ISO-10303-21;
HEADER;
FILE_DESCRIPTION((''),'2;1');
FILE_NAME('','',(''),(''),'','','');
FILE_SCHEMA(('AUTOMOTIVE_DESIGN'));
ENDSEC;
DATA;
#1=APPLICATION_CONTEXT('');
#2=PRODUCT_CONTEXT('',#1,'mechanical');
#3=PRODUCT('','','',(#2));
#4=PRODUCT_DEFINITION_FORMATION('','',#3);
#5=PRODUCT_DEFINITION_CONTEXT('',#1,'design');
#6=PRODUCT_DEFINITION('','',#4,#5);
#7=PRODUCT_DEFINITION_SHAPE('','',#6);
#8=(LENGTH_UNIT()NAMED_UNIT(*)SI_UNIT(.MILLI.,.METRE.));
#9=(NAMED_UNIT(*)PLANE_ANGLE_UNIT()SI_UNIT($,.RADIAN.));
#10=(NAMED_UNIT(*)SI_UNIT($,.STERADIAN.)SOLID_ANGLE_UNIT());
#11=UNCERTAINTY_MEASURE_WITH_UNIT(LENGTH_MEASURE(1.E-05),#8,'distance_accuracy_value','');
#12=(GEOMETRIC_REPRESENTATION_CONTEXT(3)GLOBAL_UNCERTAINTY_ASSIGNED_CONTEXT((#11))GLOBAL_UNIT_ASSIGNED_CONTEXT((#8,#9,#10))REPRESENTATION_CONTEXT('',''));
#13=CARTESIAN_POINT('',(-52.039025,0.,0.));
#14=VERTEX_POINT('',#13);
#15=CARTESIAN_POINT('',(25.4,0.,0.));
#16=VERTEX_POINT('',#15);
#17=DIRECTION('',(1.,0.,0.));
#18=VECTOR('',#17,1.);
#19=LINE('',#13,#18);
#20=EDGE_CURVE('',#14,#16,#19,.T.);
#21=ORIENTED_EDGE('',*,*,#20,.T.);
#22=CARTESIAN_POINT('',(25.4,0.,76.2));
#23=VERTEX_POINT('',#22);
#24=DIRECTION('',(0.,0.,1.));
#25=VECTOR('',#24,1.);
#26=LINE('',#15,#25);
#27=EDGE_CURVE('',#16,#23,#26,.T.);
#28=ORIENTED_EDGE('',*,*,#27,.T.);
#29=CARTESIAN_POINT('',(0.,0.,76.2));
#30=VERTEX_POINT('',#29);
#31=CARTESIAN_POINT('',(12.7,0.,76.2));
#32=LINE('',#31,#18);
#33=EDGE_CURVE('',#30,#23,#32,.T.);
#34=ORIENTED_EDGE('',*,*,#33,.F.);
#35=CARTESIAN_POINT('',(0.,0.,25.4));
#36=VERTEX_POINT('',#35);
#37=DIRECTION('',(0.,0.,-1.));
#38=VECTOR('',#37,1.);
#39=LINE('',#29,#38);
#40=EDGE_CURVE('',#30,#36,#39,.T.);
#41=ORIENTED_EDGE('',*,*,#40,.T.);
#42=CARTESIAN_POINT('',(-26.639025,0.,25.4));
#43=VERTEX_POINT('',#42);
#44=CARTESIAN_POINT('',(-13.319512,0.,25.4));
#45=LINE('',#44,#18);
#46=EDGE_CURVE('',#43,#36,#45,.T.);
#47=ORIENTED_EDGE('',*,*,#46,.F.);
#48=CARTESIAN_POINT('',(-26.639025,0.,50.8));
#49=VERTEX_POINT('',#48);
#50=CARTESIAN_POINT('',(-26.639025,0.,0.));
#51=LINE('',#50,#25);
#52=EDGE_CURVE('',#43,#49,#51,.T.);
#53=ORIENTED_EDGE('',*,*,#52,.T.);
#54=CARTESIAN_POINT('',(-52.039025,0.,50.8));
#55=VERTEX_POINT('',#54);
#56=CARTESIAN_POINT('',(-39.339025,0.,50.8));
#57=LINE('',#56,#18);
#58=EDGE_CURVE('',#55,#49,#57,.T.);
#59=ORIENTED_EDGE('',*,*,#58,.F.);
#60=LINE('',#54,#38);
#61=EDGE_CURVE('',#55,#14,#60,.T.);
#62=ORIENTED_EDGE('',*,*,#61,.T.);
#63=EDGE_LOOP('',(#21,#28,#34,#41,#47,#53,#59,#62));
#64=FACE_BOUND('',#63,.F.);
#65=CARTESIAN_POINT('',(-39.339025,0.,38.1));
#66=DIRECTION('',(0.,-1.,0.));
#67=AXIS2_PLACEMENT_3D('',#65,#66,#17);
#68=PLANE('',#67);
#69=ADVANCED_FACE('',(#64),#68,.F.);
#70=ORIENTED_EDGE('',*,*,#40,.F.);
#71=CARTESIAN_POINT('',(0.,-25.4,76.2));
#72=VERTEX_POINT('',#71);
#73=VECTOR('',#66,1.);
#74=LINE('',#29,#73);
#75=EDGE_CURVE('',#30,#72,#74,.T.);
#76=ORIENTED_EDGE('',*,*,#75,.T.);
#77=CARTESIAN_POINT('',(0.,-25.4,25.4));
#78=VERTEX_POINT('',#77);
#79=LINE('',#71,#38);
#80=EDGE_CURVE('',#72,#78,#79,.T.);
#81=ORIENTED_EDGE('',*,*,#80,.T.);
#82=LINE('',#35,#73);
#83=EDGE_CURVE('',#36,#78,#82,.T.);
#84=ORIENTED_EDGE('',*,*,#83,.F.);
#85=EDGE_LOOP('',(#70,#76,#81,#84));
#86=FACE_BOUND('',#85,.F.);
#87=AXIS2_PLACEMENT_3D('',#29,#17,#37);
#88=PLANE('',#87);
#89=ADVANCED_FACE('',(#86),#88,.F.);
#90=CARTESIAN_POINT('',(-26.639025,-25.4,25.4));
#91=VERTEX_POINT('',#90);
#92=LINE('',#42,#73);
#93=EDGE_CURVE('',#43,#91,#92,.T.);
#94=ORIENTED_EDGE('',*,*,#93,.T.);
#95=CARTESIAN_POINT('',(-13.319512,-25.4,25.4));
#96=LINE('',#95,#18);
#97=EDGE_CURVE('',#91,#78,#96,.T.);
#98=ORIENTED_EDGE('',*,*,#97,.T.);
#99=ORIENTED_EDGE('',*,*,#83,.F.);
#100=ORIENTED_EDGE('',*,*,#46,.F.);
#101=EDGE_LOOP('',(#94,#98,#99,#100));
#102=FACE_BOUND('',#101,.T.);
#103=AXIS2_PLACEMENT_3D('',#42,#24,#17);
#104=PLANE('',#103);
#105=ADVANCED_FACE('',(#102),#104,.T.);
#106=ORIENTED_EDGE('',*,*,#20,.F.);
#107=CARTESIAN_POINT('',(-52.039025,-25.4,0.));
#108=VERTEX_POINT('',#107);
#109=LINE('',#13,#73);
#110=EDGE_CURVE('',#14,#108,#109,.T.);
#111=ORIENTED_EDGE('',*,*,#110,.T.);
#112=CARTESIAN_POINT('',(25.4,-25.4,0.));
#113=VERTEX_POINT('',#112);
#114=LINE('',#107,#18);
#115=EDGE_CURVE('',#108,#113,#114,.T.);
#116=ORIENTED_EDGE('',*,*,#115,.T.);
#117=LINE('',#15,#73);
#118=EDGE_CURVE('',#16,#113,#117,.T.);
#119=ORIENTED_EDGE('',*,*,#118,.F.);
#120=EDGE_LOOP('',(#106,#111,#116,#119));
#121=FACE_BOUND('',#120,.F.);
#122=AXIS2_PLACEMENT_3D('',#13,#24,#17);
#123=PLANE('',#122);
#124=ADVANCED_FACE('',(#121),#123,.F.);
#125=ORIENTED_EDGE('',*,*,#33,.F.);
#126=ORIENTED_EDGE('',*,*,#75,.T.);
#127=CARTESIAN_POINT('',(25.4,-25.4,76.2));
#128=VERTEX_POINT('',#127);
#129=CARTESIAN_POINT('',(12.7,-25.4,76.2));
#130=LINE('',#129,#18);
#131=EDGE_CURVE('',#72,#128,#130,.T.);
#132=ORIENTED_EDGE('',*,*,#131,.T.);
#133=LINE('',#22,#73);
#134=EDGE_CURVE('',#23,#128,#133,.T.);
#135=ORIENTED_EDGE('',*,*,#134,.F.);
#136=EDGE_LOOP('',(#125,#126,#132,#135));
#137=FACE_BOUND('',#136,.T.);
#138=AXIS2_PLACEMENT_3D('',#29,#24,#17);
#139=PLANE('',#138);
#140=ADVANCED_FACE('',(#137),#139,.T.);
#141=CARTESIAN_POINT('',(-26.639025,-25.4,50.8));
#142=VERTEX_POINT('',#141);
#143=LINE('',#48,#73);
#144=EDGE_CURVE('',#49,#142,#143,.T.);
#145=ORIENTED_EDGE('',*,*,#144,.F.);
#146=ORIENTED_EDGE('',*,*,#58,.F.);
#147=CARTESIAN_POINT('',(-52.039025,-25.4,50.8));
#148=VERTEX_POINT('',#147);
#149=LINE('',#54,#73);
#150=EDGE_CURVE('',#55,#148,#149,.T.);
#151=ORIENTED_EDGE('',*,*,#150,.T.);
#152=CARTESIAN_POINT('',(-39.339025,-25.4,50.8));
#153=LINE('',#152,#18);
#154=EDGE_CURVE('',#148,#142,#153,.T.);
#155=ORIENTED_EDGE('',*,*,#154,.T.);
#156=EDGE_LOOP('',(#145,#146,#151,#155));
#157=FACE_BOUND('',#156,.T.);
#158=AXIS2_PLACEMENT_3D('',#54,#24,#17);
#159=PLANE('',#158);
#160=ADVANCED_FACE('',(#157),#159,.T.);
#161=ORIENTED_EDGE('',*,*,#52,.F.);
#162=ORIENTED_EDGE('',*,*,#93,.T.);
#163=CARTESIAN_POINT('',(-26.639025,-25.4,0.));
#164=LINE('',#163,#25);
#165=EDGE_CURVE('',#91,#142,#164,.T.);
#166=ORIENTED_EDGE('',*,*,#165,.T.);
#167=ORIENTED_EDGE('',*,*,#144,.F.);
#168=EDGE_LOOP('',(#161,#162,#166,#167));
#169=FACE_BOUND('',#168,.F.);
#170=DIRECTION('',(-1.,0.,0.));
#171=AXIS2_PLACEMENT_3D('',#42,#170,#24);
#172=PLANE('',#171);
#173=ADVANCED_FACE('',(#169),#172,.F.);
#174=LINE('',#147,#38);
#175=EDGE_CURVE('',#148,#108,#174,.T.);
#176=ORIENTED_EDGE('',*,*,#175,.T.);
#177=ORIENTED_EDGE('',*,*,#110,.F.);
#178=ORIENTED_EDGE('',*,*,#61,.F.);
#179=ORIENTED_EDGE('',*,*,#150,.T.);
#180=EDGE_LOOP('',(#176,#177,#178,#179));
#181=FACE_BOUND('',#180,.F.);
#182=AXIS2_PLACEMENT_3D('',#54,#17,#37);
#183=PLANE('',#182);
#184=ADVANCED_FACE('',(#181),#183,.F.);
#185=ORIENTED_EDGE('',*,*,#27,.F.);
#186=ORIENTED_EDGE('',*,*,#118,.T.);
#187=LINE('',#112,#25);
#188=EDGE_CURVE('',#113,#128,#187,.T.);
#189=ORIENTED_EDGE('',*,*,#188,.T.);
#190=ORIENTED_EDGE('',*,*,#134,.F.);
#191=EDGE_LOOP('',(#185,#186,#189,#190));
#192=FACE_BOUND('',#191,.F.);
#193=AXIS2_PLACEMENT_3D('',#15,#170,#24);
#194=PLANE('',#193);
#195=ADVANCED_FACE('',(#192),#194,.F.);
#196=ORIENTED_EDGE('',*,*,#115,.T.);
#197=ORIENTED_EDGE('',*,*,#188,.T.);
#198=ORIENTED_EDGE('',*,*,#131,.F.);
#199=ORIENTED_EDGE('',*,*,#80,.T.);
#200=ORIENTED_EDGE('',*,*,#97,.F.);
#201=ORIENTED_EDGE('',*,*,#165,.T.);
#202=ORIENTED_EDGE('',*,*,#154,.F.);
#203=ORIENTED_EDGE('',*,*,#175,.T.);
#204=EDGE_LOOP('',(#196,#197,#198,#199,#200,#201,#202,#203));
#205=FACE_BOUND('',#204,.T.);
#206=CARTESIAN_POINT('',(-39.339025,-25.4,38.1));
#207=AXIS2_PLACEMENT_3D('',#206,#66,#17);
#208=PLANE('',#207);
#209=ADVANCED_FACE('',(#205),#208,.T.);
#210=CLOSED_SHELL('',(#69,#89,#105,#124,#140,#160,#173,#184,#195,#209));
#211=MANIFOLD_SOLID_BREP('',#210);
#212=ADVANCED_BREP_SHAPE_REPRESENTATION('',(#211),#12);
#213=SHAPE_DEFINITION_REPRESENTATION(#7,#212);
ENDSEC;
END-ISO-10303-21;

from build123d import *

# Parameters (mm, degrees)
F0_W     = 25.4
F0_H     = 25.4
F0_W_2   = 26.6390249144
F2_DEPTH = 25.4


with BuildPart() as f2:
    # F0 (on Front) → F2 (new body)
    with BuildSketch(Plane.XZ):
        with Locations((-39.3390249144, 38.1)):
            Rectangle(F0_W, F0_H)
        with Locations((-39.3390249144, 12.7)):
            Rectangle(F0_W, F0_H)
        with Locations((-13.3195124572, 12.7)):
            Rectangle(F0_W_2, F0_H)
        with Locations((12.7, 63.5)):
            Rectangle(F0_W, F0_H)
        with Locations((12.7, 38.1)):
            Rectangle(F0_W, F0_H)
        with Locations((12.7, 12.7)):
            Rectangle(F0_W, F0_H)
    extrude(amount=F2_DEPTH)


solid = f2.part
